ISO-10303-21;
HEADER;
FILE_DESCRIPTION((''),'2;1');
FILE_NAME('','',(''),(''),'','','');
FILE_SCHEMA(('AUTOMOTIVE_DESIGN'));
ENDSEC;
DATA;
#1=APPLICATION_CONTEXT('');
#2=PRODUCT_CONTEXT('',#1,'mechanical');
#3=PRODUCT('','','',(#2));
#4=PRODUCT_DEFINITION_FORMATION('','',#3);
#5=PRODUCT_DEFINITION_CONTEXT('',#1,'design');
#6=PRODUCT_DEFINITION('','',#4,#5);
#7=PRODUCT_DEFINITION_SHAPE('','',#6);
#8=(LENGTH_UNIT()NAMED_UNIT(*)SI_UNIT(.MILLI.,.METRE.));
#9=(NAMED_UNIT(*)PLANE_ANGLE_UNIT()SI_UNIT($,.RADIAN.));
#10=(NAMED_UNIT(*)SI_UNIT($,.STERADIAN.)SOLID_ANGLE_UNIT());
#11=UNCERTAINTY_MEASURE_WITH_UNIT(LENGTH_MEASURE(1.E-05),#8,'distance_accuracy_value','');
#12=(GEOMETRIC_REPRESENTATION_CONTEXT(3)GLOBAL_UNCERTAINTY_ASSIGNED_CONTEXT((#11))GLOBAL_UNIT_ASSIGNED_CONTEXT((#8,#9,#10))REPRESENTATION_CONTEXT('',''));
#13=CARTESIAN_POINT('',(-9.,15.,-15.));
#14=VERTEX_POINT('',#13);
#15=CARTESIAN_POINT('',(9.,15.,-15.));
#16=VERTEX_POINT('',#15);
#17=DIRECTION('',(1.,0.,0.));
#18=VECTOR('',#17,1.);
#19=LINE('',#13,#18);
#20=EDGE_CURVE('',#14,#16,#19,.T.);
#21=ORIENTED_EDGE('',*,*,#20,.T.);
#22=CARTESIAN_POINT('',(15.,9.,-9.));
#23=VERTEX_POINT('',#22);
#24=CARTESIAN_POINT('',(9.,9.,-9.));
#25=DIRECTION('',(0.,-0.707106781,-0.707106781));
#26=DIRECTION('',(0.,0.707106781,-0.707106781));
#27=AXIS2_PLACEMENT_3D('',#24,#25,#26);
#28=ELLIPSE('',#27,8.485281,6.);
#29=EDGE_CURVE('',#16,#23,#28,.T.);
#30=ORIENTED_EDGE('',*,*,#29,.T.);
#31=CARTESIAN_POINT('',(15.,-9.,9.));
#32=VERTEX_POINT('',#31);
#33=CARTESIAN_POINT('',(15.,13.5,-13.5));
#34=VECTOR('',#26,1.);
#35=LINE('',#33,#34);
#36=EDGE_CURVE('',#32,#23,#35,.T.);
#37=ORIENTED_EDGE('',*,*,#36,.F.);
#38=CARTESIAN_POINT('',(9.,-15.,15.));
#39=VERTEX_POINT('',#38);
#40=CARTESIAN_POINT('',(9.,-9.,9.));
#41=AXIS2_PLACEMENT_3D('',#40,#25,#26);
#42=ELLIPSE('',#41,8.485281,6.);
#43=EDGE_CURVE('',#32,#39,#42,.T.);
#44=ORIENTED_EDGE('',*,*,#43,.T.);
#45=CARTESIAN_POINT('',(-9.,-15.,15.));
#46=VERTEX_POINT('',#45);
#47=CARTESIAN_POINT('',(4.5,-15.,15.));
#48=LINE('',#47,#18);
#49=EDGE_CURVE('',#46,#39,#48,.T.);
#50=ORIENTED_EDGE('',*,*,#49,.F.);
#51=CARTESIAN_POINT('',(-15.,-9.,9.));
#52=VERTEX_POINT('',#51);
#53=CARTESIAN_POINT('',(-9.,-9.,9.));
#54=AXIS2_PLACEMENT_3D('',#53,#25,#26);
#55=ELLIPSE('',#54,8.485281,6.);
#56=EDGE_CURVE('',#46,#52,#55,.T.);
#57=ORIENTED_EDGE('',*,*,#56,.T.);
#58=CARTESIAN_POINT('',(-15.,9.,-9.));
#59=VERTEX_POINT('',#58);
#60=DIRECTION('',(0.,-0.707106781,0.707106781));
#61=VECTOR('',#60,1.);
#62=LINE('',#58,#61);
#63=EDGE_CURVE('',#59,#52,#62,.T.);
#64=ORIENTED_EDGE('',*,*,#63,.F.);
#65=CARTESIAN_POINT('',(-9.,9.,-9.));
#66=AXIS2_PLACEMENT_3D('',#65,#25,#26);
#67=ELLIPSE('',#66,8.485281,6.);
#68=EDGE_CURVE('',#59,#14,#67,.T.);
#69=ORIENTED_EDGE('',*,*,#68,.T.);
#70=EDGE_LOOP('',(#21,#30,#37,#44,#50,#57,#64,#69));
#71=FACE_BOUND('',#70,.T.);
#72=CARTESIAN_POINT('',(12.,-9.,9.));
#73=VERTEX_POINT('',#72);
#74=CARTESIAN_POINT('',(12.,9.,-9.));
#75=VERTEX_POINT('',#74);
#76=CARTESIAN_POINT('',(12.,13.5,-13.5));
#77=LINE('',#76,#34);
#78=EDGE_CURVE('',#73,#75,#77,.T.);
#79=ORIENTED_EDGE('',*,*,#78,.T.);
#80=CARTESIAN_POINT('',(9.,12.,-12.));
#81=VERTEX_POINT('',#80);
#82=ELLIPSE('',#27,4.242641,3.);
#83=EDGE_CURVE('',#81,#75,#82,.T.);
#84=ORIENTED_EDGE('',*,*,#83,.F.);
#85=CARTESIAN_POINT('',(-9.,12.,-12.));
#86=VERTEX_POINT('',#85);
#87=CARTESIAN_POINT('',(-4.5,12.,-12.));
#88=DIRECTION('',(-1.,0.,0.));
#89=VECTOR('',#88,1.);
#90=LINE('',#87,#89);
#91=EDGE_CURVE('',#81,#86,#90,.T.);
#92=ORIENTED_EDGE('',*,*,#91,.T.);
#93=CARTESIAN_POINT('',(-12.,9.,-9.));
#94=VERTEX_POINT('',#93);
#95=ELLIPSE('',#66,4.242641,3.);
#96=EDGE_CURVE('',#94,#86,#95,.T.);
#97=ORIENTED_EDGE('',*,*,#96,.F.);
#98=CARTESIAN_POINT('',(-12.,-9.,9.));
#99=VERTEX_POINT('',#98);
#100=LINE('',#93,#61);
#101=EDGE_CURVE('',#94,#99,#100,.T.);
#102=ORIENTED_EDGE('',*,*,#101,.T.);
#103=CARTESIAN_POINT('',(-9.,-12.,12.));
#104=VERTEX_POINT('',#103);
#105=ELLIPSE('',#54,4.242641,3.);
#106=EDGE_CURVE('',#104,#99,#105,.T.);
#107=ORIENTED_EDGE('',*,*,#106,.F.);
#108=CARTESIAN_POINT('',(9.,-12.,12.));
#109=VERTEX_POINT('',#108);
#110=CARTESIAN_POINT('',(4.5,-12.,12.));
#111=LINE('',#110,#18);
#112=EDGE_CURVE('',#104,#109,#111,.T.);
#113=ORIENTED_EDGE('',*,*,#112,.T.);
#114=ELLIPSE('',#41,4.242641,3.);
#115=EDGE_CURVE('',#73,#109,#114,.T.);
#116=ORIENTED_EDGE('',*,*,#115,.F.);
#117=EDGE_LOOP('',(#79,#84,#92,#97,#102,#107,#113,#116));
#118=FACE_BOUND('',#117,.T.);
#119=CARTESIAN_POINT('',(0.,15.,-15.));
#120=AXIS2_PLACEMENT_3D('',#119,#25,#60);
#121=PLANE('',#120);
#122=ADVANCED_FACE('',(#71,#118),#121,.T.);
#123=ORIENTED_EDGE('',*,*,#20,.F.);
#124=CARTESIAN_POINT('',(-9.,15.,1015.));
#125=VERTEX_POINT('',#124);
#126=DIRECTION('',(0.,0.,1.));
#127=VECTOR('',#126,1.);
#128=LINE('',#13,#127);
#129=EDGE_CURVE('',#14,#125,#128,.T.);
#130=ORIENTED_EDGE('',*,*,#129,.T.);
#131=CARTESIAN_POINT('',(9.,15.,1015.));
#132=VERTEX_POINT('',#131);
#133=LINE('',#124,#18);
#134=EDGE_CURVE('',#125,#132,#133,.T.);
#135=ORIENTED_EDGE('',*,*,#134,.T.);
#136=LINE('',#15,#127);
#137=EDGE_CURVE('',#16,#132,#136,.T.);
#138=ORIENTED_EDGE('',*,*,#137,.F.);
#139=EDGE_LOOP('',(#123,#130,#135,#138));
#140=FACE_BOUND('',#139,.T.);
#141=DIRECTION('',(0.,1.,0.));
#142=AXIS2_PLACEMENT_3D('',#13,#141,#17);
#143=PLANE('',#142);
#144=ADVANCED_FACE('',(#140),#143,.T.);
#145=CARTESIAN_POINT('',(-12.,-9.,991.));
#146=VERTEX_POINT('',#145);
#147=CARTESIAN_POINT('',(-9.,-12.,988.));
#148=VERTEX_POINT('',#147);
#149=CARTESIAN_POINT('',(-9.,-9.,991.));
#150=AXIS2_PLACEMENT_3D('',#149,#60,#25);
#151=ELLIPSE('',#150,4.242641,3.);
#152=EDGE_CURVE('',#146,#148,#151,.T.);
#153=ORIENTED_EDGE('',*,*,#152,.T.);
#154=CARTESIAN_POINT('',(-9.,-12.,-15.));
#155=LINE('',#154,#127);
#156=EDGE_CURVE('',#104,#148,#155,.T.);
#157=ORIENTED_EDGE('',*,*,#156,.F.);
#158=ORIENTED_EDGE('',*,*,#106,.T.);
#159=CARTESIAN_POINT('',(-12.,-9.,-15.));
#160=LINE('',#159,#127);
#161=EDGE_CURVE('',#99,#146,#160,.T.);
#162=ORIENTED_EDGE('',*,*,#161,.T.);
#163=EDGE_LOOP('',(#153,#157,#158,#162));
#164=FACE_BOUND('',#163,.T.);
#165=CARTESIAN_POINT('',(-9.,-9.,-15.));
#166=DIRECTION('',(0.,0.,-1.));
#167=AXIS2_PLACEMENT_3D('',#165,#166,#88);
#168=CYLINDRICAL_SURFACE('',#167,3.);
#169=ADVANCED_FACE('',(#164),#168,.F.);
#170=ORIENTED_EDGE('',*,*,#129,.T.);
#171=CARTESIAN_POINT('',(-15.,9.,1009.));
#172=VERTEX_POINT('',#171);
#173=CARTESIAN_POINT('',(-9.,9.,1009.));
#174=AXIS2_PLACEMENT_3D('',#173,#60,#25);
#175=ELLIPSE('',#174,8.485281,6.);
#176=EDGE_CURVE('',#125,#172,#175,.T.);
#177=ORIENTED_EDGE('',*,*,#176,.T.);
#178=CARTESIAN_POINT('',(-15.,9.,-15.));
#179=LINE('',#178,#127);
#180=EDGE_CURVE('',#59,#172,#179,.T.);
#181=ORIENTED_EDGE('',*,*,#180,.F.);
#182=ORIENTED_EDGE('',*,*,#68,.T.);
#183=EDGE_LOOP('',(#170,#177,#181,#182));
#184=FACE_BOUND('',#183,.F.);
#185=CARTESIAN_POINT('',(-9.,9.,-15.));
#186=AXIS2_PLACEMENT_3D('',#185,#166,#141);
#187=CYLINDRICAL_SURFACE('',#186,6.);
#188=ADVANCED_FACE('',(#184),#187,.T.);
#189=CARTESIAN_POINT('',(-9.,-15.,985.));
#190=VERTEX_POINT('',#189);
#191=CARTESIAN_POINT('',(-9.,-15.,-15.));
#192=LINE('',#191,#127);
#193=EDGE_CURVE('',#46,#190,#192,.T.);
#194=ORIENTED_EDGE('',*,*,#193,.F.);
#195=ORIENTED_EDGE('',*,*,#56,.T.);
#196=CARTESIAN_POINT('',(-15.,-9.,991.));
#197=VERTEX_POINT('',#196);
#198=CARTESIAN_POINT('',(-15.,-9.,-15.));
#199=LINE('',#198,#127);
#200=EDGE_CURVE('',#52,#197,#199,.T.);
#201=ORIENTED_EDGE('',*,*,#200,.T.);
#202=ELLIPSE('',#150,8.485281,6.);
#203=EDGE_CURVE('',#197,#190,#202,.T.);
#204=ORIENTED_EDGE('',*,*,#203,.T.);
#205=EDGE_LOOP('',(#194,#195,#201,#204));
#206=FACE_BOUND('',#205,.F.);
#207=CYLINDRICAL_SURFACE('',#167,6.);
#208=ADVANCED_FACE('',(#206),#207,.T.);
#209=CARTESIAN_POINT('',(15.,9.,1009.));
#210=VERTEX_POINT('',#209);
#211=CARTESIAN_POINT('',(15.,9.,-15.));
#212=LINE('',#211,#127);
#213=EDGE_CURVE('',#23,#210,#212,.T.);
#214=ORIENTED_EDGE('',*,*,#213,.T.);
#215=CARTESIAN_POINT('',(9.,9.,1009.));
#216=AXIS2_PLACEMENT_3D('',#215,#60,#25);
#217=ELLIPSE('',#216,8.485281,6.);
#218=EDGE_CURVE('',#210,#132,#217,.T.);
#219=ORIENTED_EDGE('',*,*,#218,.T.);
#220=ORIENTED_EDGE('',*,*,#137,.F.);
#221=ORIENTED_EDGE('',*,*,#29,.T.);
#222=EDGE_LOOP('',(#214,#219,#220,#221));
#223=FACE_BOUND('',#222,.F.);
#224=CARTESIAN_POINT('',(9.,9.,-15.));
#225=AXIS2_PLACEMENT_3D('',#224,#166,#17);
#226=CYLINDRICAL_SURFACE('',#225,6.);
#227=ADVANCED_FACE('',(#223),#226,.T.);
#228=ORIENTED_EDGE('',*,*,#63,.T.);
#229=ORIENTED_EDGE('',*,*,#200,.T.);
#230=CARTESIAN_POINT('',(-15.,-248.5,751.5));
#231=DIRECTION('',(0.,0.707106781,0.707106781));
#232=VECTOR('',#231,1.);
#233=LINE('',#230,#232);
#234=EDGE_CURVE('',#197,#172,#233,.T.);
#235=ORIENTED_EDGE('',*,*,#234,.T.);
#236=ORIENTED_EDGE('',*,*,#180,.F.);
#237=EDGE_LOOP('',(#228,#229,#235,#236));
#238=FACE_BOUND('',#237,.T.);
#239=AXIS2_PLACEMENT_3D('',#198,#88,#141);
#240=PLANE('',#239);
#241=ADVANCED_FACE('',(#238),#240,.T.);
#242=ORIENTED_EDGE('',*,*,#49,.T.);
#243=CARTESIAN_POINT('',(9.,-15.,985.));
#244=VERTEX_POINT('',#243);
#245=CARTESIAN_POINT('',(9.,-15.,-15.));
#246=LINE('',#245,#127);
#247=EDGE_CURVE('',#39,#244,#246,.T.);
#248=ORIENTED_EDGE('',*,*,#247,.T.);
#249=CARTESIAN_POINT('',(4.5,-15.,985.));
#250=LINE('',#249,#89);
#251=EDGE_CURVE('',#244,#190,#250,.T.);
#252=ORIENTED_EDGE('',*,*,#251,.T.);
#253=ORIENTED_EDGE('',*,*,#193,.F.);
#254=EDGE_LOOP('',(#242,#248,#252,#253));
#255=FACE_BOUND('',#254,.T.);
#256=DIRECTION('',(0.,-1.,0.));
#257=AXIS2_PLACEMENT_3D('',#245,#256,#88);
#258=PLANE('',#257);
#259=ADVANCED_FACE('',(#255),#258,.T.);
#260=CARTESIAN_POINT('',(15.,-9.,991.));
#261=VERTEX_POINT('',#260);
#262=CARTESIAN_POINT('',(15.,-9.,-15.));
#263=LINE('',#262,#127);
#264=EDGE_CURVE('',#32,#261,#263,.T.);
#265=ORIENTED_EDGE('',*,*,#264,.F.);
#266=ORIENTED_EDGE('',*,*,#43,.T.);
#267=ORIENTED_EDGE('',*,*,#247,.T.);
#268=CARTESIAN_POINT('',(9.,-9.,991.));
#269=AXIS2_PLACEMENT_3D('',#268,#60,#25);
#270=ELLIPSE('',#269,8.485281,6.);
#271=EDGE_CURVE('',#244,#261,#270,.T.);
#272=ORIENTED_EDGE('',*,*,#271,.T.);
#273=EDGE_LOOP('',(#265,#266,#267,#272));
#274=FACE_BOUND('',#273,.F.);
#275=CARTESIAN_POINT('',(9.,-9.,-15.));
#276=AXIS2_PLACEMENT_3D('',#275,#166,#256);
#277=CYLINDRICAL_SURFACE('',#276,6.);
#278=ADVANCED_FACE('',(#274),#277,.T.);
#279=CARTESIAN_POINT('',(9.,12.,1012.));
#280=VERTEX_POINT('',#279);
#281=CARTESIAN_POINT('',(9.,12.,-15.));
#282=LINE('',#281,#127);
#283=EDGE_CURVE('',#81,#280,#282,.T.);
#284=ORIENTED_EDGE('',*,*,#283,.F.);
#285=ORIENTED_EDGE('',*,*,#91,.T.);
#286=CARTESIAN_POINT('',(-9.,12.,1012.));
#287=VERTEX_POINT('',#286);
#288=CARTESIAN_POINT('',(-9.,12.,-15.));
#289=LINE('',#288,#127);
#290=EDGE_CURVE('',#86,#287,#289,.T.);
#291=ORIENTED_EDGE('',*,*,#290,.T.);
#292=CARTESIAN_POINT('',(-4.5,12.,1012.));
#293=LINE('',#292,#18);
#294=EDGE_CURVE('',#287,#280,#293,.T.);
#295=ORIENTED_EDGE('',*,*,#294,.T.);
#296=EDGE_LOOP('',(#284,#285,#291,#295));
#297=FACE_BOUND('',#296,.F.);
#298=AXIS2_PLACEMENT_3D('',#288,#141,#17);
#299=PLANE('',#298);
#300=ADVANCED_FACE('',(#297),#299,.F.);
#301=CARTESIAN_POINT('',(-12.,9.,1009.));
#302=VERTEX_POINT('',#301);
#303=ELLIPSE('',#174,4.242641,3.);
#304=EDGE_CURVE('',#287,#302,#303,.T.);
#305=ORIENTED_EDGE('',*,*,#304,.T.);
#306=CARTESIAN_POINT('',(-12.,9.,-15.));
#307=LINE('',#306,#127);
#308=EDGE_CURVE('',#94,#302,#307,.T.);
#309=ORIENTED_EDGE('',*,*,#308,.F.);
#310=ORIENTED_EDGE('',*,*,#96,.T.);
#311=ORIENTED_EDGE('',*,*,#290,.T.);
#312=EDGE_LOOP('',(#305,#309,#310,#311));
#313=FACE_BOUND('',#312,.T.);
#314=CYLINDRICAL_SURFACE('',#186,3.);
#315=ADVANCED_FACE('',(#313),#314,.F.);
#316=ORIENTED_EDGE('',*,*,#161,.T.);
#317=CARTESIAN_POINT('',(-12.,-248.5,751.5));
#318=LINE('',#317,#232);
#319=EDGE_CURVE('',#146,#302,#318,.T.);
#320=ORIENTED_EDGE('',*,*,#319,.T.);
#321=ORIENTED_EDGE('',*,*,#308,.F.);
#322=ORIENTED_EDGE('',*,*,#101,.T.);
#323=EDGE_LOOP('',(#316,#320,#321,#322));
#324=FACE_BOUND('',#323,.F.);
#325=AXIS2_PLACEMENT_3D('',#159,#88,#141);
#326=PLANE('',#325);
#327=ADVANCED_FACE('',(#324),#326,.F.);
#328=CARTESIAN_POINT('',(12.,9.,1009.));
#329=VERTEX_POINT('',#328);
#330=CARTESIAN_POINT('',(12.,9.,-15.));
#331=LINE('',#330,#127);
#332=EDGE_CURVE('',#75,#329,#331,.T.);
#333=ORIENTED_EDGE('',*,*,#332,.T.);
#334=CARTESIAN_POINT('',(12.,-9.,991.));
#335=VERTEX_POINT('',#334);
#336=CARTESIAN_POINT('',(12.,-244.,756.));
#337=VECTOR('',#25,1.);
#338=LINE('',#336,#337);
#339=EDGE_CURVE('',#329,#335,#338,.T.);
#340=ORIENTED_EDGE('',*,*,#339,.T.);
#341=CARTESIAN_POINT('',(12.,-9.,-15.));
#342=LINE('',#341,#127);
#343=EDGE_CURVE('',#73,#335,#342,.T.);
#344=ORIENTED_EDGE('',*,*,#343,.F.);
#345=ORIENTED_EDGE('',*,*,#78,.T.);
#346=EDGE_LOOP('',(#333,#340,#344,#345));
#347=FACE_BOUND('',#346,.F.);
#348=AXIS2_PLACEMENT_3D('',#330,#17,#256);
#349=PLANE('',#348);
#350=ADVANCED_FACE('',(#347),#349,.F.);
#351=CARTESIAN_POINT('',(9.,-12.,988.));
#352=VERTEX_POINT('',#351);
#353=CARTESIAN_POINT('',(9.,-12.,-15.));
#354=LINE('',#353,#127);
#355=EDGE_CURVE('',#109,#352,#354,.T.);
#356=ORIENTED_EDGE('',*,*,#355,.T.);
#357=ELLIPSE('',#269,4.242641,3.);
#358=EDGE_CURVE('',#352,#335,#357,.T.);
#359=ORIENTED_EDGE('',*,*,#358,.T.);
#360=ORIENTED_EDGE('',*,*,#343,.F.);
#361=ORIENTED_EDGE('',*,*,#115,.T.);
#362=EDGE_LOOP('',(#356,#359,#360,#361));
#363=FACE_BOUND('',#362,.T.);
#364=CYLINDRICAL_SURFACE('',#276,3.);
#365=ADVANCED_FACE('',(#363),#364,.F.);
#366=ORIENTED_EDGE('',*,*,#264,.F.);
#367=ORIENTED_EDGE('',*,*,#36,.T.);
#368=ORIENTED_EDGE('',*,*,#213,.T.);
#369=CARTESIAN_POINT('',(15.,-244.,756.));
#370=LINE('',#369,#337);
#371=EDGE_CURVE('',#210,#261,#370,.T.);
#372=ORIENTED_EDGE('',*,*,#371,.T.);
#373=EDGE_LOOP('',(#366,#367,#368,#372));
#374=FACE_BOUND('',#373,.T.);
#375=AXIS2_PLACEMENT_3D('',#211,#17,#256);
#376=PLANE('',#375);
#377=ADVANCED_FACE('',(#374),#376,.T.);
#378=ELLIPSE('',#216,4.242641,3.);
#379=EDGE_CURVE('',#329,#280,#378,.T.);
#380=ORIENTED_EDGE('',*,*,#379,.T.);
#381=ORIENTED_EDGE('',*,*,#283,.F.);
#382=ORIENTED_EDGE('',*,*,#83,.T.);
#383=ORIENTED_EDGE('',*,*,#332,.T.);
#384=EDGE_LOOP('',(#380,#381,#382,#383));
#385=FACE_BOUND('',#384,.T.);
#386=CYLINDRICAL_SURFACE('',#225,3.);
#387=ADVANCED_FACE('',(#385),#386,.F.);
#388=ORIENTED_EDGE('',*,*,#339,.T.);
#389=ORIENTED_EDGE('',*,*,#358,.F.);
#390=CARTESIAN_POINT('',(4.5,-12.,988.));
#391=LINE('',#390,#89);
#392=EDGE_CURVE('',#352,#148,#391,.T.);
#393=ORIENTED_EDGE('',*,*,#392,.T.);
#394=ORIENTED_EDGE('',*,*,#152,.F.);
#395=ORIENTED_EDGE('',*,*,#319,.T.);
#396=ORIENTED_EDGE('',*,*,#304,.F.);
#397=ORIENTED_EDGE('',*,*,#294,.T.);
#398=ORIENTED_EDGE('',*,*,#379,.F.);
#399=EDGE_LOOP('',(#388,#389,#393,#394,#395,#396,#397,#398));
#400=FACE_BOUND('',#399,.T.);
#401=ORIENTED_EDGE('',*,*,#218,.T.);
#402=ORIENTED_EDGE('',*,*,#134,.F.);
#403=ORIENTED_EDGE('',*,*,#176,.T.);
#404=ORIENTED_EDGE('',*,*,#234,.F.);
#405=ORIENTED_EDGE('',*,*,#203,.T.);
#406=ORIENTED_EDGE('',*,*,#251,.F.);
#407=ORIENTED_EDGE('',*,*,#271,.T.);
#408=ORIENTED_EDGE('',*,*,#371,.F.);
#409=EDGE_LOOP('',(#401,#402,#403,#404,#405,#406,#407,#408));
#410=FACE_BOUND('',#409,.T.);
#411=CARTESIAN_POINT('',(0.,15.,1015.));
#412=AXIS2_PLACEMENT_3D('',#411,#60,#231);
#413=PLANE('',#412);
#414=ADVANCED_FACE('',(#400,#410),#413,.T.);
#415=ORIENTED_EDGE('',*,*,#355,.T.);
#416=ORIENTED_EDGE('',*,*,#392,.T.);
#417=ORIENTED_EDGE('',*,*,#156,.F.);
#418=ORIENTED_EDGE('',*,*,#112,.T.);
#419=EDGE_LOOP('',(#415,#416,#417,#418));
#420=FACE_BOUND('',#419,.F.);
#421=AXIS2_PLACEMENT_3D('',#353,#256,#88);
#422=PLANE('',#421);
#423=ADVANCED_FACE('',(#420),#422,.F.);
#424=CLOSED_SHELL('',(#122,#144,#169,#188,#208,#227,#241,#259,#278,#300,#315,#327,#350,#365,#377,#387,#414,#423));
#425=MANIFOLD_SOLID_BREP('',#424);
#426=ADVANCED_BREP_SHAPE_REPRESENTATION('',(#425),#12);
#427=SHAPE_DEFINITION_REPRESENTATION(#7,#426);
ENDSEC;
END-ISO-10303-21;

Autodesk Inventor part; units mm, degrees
ref_plane "Start Plane" through (0, 0, -15) normal (0, 0, 1) x (1, 0, 0)
ref_plane "End Plane" through (0, 0, 1015) normal (0, 0, 1) x (1, 0, 0)
sketch "Sketch" plane through (0, 0, 0) normal (0, 0, 1) x (1, 0, 0)
  line L0 (-15, -9) -> (-15, 9)
  line L1 (-9, 15) -> (9, 15)
  line L2 (15, 9) -> (15, -9)
  line L3 (9, -15) -> (-9, -15)
  arc A0 (-15, -9) -> (-9, -15) centre (-9, -9) ccw
  arc A1 (-9, 15) -> (-15, 9) centre (-9, 9) ccw
  arc A2 (15, 9) -> (9, 15) centre (9, 9) ccw
  arc A3 (9, -15) -> (15, -9) centre (9, -9) ccw
  arc A4 (-9, 12) -> (-12, 9) centre (-9, 9) ccw
  line L4 (-9, 12) -> (9, 12)
  arc A5 (12, 9) -> (9, 12) centre (9, 9) ccw
  line L5 (12, 9) -> (12, -9)
  arc A6 (9, -12) -> (12, -9) centre (9, -9) ccw
  line L6 (9, -12) -> (-9, -12)
  arc A7 (-12, -9) -> (-9, -12) centre (-9, -9) ccw
  line L7 (-12, -9) -> (-12, 9)
  line L8 (0, 22.7397) -> (0, -22.7397) construction
  line L9 (-22.7397, 0) -> (22.7397, 0) construction
  dimension "d7" = 6
  dimension "d10" = 30
  dimension "d11" = 30
  dimension "d12" = 3
  dimension "d15" = 15
  dimension "d16" = 15
extrude "Body" add sketch "Sketch" along normal up to surface (1030 mm away) from surface at -15
sketch "Sketch3" plane through (0, 0, 0) normal (0, 0, 1) x (1, 0, 0)
  line L0 (0, 0) -> (10, 0)
ref_plane "Work Plane3" through (0, 0, 0) normal (0, -1, 0) x (1, 0, 0)
ref_plane "Work Plane4" through (0, 15, 1015) normal (0, -0.7071, 0.7071) x (1, 0, 0)
split "Split1" plane through (0, 15, 1015) removes the side toward (0, -0.7071, 0.7071)
ref_plane "Work Plane5" through (0, 15, -15) normal (0, -0.7071, -0.7071) x (1, 0, 0)
split "Split2" plane through (0, 15, -15) removes the side toward (0, -0.7071, -0.7071)
sketch "Sketch4" plane through (0, 0, 0) normal (0, -1, 0) x (1, 0, 0)
  line L0 (-2, -15) -> (12, -15) projected
  line L1 (-2, 1015) -> (12, 1015) projected
  dimension "d18" = 1030
equation "\"d7\" = G_IR"
equation "\"d10\" = G_H"
equation "\"d11\" = G_W"
equation "\"d12\" = G_T"
equation "\"d15\" = 0.5 * d10"
equation "\"d16\" = 0.5 * d11"
equation "\"d3\" = G_L"
equation "\"G_W\" = 30"
equation "\"G_H\" = 30"
equation "\"G_T\" = 3"
equation "\"G_IR\" = 6"
equation "\"G_L\" = d18"
equation "\"G_OFFSET_START\" = 15"
equation "\"G_OFFSET_END\" = 15"
equation "\"d13\" = -G_OFFSET_START"
equation "\"d14\" = G_OFFSET_END + B_L"
equation "\"B_L\" = 1000"
properties part number "DIN EN 10219-2 - 30 x 30 x 3  - 1030" material "Steel, Mild"
